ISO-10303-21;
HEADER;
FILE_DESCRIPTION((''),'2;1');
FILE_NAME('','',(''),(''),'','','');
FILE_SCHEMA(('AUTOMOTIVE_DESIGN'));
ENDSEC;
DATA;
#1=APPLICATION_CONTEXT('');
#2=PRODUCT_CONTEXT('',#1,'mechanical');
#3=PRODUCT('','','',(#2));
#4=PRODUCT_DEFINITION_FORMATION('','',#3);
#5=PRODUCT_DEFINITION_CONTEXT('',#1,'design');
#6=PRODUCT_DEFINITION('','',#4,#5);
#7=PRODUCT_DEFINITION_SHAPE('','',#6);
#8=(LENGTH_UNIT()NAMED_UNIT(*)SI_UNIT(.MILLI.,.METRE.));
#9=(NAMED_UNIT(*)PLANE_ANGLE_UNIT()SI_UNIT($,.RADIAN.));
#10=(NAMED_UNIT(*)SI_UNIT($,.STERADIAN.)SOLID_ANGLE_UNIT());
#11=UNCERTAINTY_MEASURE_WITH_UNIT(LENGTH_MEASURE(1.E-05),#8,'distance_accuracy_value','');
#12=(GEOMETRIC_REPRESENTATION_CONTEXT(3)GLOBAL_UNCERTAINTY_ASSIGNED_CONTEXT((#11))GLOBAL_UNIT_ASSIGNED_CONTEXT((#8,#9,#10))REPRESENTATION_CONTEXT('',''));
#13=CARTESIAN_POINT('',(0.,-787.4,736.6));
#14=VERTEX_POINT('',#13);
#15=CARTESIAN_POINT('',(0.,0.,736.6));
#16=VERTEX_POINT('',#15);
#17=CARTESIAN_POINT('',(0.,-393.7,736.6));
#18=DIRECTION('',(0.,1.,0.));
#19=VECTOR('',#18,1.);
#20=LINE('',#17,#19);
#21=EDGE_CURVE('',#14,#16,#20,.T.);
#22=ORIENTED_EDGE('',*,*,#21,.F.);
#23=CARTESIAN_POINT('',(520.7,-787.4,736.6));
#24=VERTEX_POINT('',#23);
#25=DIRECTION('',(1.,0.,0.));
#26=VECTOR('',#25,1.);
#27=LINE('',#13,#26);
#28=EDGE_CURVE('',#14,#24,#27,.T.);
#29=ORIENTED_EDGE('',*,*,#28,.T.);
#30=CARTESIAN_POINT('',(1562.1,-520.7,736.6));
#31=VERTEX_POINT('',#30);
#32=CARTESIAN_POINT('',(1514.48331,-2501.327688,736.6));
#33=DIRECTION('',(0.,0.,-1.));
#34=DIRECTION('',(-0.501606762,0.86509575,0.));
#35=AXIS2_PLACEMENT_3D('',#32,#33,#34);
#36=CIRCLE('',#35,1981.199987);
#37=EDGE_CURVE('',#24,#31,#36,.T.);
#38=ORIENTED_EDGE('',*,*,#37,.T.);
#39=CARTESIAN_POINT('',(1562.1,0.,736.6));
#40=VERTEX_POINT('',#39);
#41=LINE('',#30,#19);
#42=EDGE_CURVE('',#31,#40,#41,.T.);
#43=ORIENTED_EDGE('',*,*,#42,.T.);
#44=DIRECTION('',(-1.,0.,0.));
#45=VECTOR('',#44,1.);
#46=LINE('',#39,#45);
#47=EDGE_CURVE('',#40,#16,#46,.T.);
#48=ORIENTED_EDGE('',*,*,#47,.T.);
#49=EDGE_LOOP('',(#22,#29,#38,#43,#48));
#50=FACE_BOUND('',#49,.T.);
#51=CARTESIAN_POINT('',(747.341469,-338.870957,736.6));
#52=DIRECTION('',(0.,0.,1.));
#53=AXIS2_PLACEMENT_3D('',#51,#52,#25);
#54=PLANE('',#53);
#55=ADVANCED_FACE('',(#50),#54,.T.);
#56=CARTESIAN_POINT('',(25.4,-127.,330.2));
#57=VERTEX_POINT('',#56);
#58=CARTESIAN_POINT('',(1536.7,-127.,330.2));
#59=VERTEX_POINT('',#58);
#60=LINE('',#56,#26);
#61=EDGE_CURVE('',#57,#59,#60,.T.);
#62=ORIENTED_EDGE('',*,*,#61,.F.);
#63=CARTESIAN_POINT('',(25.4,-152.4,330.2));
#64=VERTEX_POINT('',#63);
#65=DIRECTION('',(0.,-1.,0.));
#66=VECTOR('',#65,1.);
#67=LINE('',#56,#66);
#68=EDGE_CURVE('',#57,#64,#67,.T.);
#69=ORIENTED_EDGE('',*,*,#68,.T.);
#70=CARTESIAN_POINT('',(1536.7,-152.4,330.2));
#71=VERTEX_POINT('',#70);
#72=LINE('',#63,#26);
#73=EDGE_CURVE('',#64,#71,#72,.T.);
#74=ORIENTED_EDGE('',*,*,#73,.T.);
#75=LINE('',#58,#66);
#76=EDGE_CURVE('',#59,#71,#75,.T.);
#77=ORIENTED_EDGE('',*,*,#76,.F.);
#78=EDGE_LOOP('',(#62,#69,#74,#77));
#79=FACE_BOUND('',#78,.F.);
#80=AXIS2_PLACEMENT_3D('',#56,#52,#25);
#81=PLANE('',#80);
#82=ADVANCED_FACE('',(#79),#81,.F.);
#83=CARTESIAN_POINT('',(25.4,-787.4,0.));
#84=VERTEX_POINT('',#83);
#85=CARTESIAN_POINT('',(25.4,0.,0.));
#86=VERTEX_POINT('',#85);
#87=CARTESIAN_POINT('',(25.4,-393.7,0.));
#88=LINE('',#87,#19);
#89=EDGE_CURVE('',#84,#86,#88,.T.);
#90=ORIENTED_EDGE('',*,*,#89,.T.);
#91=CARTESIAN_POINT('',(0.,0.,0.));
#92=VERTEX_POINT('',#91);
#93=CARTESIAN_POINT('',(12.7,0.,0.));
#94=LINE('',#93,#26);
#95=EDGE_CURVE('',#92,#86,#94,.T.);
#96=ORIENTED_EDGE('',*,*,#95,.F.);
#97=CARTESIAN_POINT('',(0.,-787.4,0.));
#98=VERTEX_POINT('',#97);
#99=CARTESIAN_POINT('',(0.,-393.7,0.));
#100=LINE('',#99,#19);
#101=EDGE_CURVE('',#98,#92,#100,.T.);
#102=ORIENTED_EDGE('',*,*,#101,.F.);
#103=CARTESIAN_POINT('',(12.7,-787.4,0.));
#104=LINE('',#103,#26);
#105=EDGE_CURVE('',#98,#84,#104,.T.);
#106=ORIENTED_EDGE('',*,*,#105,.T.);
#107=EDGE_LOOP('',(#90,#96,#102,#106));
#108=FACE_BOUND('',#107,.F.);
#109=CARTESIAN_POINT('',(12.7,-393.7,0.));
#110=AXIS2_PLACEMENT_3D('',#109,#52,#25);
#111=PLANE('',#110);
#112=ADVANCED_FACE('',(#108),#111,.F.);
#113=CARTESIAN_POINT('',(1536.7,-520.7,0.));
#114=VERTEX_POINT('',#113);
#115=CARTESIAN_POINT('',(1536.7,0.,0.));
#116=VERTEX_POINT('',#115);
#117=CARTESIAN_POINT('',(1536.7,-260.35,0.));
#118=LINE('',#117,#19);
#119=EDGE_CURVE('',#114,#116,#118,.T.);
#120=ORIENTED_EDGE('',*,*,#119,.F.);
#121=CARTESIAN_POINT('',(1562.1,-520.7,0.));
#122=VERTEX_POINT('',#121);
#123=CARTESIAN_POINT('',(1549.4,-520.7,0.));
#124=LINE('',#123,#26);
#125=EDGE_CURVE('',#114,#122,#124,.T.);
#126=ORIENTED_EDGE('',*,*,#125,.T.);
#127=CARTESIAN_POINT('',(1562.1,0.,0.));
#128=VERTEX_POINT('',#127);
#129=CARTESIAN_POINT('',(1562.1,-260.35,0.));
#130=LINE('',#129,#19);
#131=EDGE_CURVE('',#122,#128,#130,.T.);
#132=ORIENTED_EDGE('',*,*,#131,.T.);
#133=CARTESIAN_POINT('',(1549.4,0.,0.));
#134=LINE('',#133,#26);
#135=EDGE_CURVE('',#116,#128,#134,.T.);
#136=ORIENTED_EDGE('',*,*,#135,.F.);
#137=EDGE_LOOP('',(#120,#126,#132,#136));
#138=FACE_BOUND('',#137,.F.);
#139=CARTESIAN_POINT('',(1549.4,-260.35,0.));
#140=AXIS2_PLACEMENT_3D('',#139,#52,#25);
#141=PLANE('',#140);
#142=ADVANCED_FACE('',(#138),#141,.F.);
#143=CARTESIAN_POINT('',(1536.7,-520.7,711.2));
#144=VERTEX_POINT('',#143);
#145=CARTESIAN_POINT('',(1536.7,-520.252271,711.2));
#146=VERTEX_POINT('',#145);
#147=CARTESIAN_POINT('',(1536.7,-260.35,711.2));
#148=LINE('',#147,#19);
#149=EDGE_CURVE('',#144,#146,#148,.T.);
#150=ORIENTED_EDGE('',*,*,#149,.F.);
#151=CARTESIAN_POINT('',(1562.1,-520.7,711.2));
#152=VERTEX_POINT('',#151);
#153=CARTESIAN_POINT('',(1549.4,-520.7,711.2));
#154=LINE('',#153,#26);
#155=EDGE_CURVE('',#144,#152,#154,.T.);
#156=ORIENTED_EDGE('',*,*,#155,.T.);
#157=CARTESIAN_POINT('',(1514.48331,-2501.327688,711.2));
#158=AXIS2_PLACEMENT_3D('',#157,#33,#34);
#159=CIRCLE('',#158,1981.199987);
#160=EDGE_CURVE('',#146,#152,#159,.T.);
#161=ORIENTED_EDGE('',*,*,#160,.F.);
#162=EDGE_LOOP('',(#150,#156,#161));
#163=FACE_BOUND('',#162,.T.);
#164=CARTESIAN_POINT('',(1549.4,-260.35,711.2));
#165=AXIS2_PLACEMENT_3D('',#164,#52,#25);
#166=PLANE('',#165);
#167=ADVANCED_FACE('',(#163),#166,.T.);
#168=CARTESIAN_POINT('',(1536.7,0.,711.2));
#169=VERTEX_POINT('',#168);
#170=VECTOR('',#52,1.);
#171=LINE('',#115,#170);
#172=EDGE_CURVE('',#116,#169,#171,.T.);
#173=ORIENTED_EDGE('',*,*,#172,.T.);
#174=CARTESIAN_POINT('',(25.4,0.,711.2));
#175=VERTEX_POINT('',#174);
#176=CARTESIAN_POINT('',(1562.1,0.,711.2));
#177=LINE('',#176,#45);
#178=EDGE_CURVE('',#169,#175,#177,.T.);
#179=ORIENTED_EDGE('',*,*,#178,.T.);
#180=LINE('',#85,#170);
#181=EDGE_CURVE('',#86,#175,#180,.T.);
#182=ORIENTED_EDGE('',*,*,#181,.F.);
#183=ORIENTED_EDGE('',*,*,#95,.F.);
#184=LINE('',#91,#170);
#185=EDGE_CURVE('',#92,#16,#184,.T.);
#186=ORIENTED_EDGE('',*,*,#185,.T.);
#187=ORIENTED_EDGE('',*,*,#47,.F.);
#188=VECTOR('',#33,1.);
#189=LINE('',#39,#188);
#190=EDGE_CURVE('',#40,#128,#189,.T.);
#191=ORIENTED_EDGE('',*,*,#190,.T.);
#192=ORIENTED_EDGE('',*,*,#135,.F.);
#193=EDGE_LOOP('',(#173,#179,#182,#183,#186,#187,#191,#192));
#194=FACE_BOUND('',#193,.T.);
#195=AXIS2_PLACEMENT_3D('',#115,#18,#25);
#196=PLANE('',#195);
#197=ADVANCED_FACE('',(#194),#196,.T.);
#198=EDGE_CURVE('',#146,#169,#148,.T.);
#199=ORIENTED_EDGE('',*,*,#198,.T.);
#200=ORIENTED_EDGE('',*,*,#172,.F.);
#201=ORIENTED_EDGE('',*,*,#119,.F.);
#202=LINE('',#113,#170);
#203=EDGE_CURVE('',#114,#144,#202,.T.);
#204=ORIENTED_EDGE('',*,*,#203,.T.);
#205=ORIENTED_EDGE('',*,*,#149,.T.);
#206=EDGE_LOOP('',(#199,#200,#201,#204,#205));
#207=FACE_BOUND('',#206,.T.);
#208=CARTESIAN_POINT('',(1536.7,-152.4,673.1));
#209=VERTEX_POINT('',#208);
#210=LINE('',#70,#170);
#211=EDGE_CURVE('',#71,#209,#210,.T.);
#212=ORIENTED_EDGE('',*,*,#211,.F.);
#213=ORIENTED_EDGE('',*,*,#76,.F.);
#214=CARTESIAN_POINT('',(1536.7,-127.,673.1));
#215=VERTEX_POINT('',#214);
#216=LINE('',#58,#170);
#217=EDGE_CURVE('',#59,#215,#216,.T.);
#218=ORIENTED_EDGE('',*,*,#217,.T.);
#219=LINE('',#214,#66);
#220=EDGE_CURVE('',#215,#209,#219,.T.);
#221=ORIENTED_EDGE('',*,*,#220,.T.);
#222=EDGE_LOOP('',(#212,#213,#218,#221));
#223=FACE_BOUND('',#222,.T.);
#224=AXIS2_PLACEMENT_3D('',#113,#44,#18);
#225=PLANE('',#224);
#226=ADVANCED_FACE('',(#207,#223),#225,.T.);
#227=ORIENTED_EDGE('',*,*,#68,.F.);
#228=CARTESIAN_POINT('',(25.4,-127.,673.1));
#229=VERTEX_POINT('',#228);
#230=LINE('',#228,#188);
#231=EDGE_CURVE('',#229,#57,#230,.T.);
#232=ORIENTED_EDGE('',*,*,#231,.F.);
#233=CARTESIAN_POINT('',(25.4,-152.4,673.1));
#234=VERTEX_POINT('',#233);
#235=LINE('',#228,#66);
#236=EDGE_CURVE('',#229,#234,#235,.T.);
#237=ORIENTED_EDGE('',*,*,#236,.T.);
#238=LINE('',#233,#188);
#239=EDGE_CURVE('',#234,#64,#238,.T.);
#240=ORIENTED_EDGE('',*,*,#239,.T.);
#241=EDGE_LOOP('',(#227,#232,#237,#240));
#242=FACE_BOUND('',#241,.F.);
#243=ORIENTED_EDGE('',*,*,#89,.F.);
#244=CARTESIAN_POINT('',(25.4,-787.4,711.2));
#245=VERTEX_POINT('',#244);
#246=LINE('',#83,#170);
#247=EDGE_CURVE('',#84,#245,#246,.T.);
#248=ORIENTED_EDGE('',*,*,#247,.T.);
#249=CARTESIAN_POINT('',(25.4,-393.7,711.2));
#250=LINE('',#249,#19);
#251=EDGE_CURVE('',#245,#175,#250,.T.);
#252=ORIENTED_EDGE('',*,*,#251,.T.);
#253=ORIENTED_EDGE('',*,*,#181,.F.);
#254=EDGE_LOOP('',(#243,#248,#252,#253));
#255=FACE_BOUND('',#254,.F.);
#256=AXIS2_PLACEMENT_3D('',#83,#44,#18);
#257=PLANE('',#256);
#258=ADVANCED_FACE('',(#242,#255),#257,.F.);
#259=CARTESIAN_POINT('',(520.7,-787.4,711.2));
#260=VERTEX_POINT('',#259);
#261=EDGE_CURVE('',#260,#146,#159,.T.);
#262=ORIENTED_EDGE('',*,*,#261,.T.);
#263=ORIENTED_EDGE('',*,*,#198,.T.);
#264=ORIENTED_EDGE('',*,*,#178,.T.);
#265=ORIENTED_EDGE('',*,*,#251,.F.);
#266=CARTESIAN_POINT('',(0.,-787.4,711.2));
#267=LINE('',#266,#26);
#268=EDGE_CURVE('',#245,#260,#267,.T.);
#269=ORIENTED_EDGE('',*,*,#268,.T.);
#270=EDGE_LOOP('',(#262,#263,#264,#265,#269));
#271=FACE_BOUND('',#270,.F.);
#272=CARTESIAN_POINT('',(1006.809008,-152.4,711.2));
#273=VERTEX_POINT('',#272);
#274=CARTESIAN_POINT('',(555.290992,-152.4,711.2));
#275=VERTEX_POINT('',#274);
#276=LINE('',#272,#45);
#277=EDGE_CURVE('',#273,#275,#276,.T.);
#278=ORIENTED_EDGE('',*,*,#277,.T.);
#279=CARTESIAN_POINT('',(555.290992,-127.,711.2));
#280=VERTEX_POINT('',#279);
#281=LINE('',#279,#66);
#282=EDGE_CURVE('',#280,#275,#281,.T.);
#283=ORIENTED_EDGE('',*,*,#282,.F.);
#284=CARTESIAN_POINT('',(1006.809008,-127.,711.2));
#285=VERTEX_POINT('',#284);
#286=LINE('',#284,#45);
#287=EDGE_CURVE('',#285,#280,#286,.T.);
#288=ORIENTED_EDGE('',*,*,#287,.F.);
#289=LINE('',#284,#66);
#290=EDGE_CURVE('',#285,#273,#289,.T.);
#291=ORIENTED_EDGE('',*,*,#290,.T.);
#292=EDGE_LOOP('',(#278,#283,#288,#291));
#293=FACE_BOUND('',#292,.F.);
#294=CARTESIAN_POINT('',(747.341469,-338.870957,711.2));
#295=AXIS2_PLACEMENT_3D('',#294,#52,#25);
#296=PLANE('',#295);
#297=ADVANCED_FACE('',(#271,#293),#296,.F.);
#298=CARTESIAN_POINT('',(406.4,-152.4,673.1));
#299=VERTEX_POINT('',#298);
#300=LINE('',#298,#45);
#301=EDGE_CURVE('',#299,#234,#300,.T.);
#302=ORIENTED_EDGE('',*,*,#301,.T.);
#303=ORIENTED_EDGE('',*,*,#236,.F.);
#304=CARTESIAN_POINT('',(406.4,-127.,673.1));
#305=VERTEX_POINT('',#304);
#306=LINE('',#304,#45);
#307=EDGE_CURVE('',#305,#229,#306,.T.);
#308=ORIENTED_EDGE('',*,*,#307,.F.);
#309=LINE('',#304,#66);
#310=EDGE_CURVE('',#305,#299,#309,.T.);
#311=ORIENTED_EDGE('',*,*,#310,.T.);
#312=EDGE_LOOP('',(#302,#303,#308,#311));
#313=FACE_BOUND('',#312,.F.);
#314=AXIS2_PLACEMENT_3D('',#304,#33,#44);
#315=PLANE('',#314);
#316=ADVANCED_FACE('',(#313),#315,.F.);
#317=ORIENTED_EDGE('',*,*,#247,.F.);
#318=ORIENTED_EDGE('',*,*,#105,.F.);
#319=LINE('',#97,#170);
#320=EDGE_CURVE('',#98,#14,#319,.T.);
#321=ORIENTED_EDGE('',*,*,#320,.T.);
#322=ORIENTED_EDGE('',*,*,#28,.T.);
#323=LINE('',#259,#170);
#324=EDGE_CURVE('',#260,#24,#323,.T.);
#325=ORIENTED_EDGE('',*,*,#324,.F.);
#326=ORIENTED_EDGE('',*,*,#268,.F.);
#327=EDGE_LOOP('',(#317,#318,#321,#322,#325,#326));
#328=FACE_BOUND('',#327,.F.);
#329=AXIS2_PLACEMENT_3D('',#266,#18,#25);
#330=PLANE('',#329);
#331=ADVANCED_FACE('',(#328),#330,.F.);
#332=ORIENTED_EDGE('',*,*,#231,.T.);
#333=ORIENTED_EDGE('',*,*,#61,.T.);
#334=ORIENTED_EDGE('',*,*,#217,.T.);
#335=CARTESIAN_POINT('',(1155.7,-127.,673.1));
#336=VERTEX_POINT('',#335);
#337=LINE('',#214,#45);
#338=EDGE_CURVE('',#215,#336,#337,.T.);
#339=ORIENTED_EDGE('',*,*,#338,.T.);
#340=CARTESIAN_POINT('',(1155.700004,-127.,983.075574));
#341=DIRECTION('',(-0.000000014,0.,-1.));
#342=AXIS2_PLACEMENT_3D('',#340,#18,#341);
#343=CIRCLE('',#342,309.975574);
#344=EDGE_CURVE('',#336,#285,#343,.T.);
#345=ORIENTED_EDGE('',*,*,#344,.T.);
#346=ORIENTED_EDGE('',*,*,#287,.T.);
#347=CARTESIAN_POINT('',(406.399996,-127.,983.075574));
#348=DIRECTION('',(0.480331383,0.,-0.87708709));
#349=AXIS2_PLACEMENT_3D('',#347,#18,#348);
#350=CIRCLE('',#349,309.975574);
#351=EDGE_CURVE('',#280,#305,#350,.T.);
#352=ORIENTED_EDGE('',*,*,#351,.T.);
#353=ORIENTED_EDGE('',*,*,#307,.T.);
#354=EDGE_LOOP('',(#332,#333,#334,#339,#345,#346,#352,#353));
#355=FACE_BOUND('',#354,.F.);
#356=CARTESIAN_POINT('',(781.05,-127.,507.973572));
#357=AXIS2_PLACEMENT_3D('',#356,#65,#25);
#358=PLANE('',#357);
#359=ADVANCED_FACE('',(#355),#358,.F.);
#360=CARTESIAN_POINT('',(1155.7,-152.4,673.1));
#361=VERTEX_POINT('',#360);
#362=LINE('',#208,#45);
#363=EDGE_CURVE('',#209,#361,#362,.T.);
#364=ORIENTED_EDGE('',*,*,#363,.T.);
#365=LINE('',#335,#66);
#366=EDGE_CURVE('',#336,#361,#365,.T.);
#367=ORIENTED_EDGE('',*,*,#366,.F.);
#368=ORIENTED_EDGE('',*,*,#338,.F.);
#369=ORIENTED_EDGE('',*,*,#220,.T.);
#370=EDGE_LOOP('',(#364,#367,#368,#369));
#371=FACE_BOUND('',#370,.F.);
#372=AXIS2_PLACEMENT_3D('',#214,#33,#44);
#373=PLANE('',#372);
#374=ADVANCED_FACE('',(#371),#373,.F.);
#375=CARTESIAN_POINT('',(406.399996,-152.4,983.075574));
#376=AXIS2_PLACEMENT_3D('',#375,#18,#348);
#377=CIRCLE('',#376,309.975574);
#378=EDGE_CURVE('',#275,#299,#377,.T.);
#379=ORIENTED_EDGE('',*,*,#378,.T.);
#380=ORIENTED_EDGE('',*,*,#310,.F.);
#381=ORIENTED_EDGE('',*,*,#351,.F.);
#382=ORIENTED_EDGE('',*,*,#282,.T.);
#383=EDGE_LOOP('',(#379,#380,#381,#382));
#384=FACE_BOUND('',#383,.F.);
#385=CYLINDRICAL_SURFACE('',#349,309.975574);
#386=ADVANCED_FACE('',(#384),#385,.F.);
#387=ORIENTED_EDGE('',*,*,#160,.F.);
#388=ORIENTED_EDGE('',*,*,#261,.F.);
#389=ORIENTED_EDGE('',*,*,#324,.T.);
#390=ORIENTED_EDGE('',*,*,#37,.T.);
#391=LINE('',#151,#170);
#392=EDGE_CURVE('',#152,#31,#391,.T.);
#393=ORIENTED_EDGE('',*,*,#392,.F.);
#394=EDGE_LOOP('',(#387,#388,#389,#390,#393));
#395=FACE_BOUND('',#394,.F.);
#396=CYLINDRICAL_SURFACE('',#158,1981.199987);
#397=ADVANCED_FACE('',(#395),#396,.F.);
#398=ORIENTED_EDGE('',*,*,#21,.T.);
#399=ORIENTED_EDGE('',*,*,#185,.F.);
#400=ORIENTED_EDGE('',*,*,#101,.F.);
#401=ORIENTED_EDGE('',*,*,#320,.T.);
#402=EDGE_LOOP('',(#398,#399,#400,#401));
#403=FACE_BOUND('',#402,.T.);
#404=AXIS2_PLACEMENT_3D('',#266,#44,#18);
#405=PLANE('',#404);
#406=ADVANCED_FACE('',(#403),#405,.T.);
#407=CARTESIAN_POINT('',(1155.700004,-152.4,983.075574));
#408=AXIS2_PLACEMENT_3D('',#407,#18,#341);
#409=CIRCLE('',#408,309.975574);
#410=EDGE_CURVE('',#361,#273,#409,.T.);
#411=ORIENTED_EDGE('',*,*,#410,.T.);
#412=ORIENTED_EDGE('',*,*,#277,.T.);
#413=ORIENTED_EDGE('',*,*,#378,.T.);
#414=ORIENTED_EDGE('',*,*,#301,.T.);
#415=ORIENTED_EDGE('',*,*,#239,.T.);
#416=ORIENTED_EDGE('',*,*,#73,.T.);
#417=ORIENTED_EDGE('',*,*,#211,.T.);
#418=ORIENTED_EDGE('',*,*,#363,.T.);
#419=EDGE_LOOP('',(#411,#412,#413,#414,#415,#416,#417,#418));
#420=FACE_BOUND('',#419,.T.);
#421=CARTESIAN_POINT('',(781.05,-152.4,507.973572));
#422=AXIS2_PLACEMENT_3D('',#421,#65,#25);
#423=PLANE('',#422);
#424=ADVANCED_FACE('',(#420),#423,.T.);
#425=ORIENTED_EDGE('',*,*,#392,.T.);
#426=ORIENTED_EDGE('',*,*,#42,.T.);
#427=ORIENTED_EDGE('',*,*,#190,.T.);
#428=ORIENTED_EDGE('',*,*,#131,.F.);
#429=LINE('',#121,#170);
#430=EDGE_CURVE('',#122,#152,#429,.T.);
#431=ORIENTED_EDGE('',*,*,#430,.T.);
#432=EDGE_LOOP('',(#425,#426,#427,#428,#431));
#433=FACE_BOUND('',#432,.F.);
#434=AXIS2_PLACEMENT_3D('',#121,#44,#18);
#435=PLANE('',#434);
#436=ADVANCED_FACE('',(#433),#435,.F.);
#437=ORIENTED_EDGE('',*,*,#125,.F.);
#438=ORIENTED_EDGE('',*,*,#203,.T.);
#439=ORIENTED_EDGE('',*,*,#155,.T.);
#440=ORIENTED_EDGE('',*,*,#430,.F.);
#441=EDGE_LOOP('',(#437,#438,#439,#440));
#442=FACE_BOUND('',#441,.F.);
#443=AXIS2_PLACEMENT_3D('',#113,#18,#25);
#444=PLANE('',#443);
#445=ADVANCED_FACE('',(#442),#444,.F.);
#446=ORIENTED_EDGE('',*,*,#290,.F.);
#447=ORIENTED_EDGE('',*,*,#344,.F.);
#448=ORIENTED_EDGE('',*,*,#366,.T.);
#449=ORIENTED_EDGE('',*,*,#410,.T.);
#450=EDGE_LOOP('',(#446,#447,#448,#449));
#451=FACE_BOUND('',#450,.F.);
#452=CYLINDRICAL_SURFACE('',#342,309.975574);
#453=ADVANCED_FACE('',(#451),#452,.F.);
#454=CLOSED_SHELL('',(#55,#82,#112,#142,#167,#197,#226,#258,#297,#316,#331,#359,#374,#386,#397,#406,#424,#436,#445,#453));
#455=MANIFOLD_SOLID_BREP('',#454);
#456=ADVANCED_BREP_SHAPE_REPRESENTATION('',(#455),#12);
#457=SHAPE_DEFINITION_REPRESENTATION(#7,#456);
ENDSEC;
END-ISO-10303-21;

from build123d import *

# Parameters (mm, degrees)
F0_W     = 25.4
F0_H     = 787.4
F1_DEPTH = 711.2
F2_W     = 25.4
F2_H     = 787.4
F3_DEPTH = 25.4
F4_W     = 25.4
F4_H     = 520.7
F5_DEPTH = 711.2
F8_DEPTH = 25.4


with BuildPart() as f1:
    # F0 (on Top) → F1 (new body)
    with BuildSketch(Plane.XY):
        with Locations((12.7, -393.7)):
            Rectangle(F0_W, F0_H)
    extrude(amount=F1_DEPTH)

    # F2 (on face) → F3 (join)
    with BuildSketch(Plane.XY.offset(711.2)):
        with BuildLine():
            Line((1562.1, 0), (25.4, 0))
            Line((25.4, 0), (25.4, -787.4))
            Line((25.4, -787.4), (520.7, -787.4))
            ThreePointArc((520.7, -787.4), (1022.965212, -582.066542), (1562.1, -520.7))
            Line((1562.1, -520.7), (1562.1, 0))
        make_face()
        with Locations((12.7, -393.7)):
            Rectangle(F2_W, F2_H)
    extrude(amount=F3_DEPTH)

    # F4 (on Top) → F5 (join)
    with BuildSketch(Plane.XY):
        with Locations((1549.4, -260.35)):
            Rectangle(F4_W, F4_H)
    extrude(amount=F5_DEPTH)

    # F7 (on offset) → F8 (join)
    with BuildSketch(Plane.XZ.offset(127)):
        with BuildLine():
            Line((25.4, 673.1), (25.4, 330.2))
            Line((25.4, 330.2), (1536.7, 330.2))
            Line((1536.7, 330.2), (1536.7, 673.1))
            Line((1536.7, 673.1), (1155.7, 673.1))
            ThreePointArc((1155.7, 673.1), (1078.855779, 682.776021), (1006.809008, 711.2))
            Line((1006.809008, 711.2), (555.290992, 711.2))
            ThreePointArc((555.290992, 711.2), (483.244221, 682.776021), (406.4, 673.1))
            Line((406.4, 673.1), (25.4, 673.1))
        make_face()
    extrude(amount=F8_DEPTH)


solid = f1.part
